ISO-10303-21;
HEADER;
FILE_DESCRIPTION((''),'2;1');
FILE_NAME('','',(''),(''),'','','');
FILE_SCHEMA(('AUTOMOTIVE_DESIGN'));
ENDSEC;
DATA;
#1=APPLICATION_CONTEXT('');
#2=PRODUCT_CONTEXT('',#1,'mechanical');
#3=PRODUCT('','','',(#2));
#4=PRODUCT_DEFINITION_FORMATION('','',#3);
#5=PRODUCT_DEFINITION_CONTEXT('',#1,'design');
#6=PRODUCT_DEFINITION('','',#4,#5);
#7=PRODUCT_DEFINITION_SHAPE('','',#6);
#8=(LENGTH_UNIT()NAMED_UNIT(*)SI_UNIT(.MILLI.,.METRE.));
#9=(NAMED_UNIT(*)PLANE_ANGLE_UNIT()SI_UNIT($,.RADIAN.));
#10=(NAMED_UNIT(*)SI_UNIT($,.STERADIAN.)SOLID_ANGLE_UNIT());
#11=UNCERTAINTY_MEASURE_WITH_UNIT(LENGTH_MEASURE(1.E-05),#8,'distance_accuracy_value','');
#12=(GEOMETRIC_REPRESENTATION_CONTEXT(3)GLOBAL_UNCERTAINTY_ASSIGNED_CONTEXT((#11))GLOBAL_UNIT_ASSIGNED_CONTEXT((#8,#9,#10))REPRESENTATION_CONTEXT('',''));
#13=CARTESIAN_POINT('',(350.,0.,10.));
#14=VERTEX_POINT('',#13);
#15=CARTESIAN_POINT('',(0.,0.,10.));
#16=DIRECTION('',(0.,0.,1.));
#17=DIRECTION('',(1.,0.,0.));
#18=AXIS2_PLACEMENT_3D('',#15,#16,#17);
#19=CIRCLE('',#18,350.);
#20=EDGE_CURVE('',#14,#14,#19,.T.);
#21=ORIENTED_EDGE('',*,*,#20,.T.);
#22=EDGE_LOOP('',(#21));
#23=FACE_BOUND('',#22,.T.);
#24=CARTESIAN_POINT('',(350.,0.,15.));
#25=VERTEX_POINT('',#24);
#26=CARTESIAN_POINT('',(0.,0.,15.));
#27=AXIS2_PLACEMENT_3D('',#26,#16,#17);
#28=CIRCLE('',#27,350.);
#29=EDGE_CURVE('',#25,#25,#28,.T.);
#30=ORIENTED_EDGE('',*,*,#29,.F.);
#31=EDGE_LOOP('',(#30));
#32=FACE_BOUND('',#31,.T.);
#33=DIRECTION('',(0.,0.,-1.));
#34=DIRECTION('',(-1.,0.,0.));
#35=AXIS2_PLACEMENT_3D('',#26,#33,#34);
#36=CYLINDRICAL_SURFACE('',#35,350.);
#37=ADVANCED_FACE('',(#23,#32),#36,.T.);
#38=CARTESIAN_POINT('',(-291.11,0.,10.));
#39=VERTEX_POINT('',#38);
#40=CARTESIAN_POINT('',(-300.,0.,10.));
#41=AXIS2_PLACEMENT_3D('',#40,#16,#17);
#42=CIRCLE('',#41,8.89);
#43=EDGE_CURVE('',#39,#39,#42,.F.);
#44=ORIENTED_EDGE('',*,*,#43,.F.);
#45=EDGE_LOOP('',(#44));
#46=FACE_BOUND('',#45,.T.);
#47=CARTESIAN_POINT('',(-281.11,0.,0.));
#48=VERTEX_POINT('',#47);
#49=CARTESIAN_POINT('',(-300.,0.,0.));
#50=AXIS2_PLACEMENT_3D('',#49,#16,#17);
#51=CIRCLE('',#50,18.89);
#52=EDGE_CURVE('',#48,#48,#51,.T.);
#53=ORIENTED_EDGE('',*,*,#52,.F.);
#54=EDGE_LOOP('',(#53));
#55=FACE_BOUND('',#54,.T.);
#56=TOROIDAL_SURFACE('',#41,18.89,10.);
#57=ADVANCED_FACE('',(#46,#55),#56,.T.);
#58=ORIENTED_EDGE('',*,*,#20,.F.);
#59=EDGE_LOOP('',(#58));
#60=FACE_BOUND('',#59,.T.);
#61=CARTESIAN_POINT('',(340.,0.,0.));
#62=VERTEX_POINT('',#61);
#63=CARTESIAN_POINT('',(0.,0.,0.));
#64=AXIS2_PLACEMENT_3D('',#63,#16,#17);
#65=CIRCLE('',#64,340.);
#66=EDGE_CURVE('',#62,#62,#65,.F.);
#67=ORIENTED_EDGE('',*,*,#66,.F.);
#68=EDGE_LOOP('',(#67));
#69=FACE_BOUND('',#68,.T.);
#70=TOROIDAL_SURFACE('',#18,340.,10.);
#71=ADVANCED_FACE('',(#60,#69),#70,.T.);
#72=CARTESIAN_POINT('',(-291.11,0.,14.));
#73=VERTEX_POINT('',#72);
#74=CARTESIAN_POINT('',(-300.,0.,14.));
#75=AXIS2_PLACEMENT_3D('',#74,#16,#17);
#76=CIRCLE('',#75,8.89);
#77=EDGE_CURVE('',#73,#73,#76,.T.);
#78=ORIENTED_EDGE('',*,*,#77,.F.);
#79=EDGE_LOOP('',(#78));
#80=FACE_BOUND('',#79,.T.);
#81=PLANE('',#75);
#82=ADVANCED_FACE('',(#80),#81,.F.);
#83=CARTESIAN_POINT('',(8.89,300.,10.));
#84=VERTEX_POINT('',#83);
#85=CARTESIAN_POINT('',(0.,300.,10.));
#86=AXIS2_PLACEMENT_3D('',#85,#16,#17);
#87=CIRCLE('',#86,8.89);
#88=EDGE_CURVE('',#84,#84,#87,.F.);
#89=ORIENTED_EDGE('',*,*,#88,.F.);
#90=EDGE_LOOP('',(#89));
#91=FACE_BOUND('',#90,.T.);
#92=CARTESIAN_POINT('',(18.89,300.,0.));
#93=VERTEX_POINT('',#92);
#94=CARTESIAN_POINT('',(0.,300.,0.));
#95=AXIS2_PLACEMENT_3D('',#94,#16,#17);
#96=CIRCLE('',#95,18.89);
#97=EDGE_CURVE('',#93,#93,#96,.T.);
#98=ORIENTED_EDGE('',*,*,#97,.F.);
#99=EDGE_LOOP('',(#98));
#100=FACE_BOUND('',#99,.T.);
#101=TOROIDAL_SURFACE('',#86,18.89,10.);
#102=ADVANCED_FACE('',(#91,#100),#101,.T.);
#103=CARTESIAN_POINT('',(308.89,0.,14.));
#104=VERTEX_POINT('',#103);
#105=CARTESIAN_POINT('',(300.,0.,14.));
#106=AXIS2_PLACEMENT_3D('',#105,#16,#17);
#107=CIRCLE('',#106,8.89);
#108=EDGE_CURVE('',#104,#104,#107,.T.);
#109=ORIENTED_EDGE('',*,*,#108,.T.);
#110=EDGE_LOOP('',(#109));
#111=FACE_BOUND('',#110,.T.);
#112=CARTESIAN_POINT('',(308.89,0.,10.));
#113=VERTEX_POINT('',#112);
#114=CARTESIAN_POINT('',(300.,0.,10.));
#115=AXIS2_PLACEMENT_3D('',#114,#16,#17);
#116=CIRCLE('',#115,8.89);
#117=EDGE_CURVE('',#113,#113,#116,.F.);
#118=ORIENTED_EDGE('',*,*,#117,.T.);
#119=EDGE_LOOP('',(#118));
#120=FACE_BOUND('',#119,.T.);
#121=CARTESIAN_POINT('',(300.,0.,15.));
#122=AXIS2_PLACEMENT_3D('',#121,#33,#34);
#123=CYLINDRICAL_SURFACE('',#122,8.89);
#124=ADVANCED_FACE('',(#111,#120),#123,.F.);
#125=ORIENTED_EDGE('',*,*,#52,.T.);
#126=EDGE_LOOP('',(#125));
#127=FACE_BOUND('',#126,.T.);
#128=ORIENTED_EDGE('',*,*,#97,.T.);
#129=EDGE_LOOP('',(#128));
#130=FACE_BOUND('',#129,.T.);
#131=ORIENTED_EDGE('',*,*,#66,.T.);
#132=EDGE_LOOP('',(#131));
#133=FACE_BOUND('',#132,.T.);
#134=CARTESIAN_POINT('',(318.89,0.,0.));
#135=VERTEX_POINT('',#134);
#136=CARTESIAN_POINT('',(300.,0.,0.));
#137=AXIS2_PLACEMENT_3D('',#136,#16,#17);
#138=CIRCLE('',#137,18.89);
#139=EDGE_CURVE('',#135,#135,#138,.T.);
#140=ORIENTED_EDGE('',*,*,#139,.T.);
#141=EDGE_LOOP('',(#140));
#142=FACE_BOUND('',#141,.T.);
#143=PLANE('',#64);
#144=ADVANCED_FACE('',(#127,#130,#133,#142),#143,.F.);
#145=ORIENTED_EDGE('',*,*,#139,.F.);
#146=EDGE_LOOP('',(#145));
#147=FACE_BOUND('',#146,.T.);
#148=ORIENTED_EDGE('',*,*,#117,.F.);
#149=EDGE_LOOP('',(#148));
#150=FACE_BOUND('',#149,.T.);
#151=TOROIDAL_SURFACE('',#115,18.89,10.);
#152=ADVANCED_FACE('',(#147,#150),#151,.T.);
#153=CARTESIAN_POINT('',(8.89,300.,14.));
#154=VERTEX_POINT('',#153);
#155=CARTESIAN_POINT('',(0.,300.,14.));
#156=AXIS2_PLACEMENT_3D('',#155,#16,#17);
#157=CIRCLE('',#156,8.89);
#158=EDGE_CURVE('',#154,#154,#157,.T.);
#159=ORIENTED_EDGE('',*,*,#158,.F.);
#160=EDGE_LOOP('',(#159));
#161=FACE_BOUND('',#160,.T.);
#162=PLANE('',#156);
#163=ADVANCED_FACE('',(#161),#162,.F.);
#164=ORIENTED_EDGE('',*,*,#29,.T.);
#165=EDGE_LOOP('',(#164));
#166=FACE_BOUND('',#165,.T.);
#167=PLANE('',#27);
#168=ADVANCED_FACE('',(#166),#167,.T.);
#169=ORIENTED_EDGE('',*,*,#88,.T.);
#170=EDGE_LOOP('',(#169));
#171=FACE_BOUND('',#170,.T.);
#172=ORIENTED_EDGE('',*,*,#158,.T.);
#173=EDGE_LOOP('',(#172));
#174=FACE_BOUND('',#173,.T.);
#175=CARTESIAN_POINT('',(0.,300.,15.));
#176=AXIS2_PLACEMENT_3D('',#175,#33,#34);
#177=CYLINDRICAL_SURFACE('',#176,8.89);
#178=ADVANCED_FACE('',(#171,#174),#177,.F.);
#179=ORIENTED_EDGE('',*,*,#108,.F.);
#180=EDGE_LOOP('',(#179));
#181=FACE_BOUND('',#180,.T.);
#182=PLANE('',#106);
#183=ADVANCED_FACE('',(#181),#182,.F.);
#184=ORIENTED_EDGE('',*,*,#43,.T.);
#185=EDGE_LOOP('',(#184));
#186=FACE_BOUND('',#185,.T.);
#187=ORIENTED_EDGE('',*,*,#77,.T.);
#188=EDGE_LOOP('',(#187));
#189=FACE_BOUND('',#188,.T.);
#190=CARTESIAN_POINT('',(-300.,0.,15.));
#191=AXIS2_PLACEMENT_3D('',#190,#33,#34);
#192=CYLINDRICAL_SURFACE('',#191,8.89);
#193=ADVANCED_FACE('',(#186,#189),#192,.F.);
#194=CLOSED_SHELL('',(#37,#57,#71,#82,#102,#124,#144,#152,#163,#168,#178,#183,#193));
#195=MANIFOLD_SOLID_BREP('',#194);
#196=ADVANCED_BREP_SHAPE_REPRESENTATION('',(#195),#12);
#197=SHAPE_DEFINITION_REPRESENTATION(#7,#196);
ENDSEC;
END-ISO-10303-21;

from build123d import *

# Parameters (mm, degrees)
BOSS_EXTRUDE1_DEPTH = 15
FILLET1_R           = 10
BOSS_EXTRUDE2_START = -0.9999999999999974
SKETCH4_R           = 8.890000000000002
SKETCH4_R_2         = 8.890000000000008
SKETCH4_R_3         = 8.890000000000004
BOSS_EXTRUDE2_DEPTH = 0.9999999999999974


with BuildPart() as part:
    # Sketch2 → Boss-Extrude1 (new body)
    with BuildSketch(Plane.XY):
        with BuildLine():
            Line((0, 0), (-291.11000000000007, 0))
            ThreePointArc((-291.11000000000007, -2.18e-15), (-293.667421840922, -6.23943537983746), (-299.86827983333353, -8.889024119536039))
            ThreePointArc((-299.8682798333336, -8.88902411952966), (-5.91709e-12, -300.00000000000006), (299.86827983333325, -8.889024119541757))
            ThreePointArc((299.86827983333325, -8.889024119536035), (293.66742184092186, -6.23943537983736), (291.11000000000007, 1.09e-15))
            Line((291.1100000000001, 0), (0, 0))
        make_face()
        with BuildLine():
            ThreePointArc((-299.86827983333353, 8.889024119536039), (-293.667421840922, 6.23943537983746), (-291.11000000000007, 0))
            Line((-291.11000000000007, 0), (0, 0))
            Line((0, 0), (0, 291.11000000000007))
            ThreePointArc((1.0101e-13, 291.11000000000007), (-6.239435379837412, 293.6674218409219), (-8.889024119536034, 299.86827983333353))
            ThreePointArc((-8.889024119531676, 299.86827983333353), (-212.13203435596503, 212.13203435596358), (-299.8682798333336, 8.8890241195296))
        make_face()
        with BuildLine():
            Line((0, 291.11000000000007), (0, 0))
            Line((0, 0), (291.1100000000001, 0))
            ThreePointArc((291.11000000000007, 1.09e-15), (293.66742184092186, 6.239435379837364), (299.86827983333325, 8.889024119536035))
            ThreePointArc((299.86827983333325, 8.889024119541785), (212.1320343559607, 212.13203435596787), (8.889024119531646, 299.86827983333353))
            ThreePointArc((8.889024119536034, 299.86827983333353), (6.239435379837482, 293.66742184092203), (1.0101e-13, 291.11000000000007))
        make_face()
        with BuildLine():
            ThreePointArc((299.86827983333325, -8.889024119541757), (-5.91709e-12, -300.00000000000006), (-299.8682798333336, -8.88902411952966))
            ThreePointArc((-299.86827983333353, -8.889024119536039), (-306.2394353798375, -6.332578159078076), (-308.89000000000004, 1.09e-15))
            Line((-308.89000000000004, 0), (-350, 0))
            ThreePointArc((-350, 4.286e-14), (-6.429e-14, -350), (350, -8.573e-14))
            Line((350, 0), (308.8900000000001, 0))
            ThreePointArc((308.89000000000004, -2.18e-15), (306.2394353798374, -6.332578159078179), (299.86827983333325, -8.889024119536035))
        make_face()
        with BuildLine():
            ThreePointArc((8.889024119531646, 299.86827983333353), (212.1320343559607, 212.13203435596787), (299.86827983333325, 8.889024119541785))
            ThreePointArc((299.86827983333325, 8.889024119536035), (306.2394353798374, 6.332578159078173), (308.89000000000004, 0))
            Line((308.8900000000001, 0), (350, 0))
            ThreePointArc((350, 0), (247.48737341529164, 247.48737341529161), (9.915e-14, 350))
            Line((0, 350), (0, 308.89000000000004))
            ThreePointArc((9.924e-14, 308.89000000000004), (6.286179284748443, 306.2861792847484), (8.89, 300.00000000000006))
            ThreePointArc((8.89, 300.00000000000006), (8.889756026536256, 299.9341381091804), (8.889024119536034, 299.86827983333353))
        make_face()
        with BuildLine():
            ThreePointArc((-308.89000000000004, 1.09e-15), (-306.2394353798375, 6.332578159078078), (-299.86827983333353, 8.889024119536039))
            ThreePointArc((-299.8682798333336, 8.8890241195296), (-212.13203435596503, 212.13203435596358), (-8.889024119531676, 299.86827983333353))
            ThreePointArc((-8.889024119536034, 299.86827983333353), (-6.332578159078046, 306.2394353798375), (9.924e-14, 308.89000000000004))
            Line((0, 308.89000000000004), (0, 350))
            ThreePointArc((2.143e-14, 350), (-247.48737341529161, 247.48737341529164), (-350, 4.286e-14))
            Line((-350, 0), (-308.89000000000004, 0))
        make_face()
    extrude(amount=BOSS_EXTRUDE1_DEPTH)

    # Fillet1
    fillet1_edges = [part.edges().sort_by_distance(p)[0] for p in [
        (291.11000000000007, -3.375e-14, 0),
        (8.889024119535959, 300.13172016666664, 0),
        (-300.1317201666668, -8.889024119535831, 0),
        (-350, -1.4099e-13, 0),
    ]]
    fillet(fillet1_edges, radius=FILLET1_R)

    # Sketch4 → Boss-Extrude2 (add)
    with BuildSketch(Plane.XY.offset(15).offset(BOSS_EXTRUDE2_START)):
        with Locations((0, 300.00000000000006)):
            Circle(SKETCH4_R)
        with Locations((300.00000000000006, 0)):
            Circle(SKETCH4_R_2)
        with Locations((-300.00000000000006, 0)):
            Circle(SKETCH4_R_3)
    extrude(amount=BOSS_EXTRUDE2_DEPTH)


solid = part.part
